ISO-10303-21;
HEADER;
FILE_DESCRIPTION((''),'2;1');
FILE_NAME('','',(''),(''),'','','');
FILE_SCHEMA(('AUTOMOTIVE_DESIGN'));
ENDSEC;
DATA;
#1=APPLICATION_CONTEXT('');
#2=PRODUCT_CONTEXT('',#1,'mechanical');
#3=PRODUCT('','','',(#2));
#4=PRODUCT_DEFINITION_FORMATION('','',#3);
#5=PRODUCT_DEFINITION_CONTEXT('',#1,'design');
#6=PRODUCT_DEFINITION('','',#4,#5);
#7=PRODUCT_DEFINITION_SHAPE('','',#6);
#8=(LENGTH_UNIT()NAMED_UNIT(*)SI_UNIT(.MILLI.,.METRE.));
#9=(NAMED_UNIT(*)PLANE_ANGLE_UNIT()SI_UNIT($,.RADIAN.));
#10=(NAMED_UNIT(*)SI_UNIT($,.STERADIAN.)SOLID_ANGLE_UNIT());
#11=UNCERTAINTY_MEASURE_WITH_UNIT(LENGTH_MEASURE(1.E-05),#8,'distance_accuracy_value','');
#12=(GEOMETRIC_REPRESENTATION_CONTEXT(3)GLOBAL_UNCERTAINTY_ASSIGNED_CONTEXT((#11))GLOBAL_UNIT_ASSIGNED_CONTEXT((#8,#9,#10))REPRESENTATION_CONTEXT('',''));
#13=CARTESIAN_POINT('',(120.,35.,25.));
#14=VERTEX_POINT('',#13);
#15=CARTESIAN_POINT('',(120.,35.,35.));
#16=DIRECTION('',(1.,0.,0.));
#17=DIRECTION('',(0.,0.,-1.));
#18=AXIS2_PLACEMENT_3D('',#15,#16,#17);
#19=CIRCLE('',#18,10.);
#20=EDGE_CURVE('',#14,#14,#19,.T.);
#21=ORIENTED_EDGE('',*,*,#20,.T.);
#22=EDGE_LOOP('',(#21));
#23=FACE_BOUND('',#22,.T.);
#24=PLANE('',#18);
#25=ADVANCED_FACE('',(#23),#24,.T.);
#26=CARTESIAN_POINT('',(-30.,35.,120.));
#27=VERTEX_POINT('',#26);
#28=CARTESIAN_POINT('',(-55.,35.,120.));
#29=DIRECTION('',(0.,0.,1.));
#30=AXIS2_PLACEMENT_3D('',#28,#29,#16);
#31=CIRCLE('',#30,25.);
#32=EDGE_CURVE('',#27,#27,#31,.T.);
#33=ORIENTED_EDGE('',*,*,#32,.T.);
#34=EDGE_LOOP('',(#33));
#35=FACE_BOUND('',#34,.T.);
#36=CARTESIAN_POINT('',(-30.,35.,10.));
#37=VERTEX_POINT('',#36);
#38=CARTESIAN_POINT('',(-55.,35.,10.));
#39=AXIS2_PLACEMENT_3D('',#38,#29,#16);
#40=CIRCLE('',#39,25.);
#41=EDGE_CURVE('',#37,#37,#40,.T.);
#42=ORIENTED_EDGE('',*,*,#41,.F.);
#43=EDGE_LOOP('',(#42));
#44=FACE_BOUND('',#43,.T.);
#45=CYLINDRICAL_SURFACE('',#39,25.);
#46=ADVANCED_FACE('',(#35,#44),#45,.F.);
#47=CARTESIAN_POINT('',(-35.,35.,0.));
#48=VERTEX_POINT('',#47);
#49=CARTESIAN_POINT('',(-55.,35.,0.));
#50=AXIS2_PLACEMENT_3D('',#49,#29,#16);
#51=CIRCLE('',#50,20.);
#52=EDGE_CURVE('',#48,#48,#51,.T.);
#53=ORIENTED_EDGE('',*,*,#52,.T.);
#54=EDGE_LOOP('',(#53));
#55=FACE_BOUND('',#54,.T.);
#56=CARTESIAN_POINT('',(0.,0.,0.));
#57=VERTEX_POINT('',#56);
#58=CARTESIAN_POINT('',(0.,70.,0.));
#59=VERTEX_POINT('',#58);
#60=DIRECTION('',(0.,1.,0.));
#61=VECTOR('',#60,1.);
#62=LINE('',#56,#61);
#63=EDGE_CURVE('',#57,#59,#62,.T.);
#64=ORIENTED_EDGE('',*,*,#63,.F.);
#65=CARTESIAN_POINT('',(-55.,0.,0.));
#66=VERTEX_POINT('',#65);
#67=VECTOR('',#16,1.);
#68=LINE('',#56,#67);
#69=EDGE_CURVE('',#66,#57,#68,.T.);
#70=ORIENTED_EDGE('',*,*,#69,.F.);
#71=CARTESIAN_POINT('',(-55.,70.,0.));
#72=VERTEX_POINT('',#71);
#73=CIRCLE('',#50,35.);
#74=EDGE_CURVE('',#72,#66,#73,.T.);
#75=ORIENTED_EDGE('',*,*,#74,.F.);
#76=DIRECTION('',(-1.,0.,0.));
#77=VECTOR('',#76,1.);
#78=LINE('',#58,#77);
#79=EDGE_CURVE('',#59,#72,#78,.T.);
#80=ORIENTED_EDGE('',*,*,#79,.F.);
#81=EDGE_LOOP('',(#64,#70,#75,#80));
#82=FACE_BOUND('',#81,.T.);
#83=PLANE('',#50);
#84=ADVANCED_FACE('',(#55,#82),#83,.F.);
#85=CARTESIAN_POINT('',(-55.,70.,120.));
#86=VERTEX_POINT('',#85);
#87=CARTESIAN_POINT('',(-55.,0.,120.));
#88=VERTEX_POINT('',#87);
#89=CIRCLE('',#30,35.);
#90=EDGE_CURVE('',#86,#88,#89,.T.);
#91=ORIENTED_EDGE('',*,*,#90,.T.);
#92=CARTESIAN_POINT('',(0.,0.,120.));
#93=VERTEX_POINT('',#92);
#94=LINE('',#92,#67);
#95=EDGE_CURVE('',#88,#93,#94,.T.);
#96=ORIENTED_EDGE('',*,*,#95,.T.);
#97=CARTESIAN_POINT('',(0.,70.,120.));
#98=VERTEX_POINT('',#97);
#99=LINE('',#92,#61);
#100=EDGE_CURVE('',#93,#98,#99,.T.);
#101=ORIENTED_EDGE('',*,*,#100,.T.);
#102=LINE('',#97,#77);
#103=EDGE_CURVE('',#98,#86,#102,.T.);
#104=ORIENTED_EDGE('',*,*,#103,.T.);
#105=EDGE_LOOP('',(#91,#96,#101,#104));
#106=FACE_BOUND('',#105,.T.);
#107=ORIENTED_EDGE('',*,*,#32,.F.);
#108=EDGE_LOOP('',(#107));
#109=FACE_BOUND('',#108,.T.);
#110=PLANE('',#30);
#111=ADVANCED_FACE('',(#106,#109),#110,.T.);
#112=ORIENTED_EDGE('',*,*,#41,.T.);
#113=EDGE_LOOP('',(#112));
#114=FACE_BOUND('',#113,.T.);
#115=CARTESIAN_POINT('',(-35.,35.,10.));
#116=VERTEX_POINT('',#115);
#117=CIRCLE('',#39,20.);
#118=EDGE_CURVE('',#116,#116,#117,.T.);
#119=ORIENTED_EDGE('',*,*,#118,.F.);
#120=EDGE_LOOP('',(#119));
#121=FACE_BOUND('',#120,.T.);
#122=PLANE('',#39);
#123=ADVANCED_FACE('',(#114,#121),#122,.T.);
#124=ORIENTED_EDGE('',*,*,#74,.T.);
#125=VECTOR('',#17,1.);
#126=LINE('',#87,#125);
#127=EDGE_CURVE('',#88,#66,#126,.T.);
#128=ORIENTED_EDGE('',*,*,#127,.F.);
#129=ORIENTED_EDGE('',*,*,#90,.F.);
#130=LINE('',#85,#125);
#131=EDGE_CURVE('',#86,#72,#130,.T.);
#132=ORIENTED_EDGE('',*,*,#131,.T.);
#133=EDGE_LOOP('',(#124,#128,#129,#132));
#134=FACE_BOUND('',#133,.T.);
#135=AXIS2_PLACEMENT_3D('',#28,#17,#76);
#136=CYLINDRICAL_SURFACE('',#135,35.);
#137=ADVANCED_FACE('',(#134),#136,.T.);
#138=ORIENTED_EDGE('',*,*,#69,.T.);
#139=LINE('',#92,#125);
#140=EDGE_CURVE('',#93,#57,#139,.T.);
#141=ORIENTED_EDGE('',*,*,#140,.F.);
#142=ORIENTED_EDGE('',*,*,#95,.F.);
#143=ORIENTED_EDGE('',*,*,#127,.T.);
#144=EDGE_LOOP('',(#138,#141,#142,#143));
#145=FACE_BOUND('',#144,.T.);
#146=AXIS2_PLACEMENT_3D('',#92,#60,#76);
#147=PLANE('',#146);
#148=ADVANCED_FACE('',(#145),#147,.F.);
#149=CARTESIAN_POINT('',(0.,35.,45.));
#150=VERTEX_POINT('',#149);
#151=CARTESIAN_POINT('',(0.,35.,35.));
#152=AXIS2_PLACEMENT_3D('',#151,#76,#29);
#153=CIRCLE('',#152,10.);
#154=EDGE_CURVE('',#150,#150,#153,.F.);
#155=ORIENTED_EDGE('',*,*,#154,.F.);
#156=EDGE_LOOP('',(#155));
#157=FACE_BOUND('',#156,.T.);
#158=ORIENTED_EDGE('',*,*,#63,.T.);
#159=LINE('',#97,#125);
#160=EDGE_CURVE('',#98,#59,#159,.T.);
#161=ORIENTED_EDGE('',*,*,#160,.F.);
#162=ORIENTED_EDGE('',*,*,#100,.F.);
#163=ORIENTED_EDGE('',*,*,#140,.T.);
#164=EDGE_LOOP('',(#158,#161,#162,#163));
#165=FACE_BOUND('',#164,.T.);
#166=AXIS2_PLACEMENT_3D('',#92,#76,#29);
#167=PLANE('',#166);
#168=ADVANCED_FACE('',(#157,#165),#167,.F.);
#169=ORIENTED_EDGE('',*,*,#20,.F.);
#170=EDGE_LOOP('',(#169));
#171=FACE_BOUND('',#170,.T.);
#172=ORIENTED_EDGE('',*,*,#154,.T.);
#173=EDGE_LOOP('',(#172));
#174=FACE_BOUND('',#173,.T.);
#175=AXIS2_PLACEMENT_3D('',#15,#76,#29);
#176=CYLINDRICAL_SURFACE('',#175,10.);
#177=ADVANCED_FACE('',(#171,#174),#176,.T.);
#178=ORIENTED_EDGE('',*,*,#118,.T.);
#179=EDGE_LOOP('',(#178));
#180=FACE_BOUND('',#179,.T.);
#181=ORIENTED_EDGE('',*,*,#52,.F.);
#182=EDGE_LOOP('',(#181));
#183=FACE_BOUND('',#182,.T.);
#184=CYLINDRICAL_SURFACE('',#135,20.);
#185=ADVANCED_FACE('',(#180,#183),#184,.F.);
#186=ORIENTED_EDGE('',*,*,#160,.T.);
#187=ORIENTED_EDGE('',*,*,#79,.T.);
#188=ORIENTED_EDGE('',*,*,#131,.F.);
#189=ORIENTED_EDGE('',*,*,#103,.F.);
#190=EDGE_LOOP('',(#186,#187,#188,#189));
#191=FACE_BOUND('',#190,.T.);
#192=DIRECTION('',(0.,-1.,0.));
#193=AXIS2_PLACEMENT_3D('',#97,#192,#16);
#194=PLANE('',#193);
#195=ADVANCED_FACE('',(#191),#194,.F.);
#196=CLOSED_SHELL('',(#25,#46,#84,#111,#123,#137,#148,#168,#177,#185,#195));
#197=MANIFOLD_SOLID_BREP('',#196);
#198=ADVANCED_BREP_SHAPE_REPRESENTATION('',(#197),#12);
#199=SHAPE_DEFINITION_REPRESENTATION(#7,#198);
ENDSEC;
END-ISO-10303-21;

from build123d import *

# Parameters (mm, degrees)
SKETCH1_R           = 20
BOSS_EXTRUDE1_DEPTH = 120
SKETCH2_R           = 25
CUT_EXTRUDE1_DEPTH  = 110
SKETCH3_R           = 10
BOSS_EXTRUDE2_DEPTH = 120


with BuildPart() as part:
    # Sketch1 → Boss-Extrude1 (new body)
    with BuildSketch(Plane.XY):
        with BuildLine():
            Line((0, 0), (-55, 0))
            ThreePointArc((-55, 0), (-90, 35), (-55, 70))
            Line((-55, 70), (0, 70))
            Line((0, 70), (0, 0))
        make_face()
        with Locations((-55, 35)):
            Circle(SKETCH1_R, mode=Mode.SUBTRACT)
    extrude(amount=BOSS_EXTRUDE1_DEPTH)

    # Sketch2 → Cut-Extrude1 (cut)
    with BuildSketch(Plane.XY.offset(120)):
        with Locations((-55, 35)):
            Circle(SKETCH2_R)
    extrude(amount=-CUT_EXTRUDE1_DEPTH, mode=Mode.SUBTRACT)

    # Sketch3 → Boss-Extrude2 (add)
    with BuildSketch(Plane(origin=(0, 0, 0), x_dir=(0, 0, -1), z_dir=(1, 0, 0))):
        with Locations(Location((-35, 35, 0), (0, 0, 180))):
            Circle(SKETCH3_R)
    extrude(amount=BOSS_EXTRUDE2_DEPTH)


solid = part.part
